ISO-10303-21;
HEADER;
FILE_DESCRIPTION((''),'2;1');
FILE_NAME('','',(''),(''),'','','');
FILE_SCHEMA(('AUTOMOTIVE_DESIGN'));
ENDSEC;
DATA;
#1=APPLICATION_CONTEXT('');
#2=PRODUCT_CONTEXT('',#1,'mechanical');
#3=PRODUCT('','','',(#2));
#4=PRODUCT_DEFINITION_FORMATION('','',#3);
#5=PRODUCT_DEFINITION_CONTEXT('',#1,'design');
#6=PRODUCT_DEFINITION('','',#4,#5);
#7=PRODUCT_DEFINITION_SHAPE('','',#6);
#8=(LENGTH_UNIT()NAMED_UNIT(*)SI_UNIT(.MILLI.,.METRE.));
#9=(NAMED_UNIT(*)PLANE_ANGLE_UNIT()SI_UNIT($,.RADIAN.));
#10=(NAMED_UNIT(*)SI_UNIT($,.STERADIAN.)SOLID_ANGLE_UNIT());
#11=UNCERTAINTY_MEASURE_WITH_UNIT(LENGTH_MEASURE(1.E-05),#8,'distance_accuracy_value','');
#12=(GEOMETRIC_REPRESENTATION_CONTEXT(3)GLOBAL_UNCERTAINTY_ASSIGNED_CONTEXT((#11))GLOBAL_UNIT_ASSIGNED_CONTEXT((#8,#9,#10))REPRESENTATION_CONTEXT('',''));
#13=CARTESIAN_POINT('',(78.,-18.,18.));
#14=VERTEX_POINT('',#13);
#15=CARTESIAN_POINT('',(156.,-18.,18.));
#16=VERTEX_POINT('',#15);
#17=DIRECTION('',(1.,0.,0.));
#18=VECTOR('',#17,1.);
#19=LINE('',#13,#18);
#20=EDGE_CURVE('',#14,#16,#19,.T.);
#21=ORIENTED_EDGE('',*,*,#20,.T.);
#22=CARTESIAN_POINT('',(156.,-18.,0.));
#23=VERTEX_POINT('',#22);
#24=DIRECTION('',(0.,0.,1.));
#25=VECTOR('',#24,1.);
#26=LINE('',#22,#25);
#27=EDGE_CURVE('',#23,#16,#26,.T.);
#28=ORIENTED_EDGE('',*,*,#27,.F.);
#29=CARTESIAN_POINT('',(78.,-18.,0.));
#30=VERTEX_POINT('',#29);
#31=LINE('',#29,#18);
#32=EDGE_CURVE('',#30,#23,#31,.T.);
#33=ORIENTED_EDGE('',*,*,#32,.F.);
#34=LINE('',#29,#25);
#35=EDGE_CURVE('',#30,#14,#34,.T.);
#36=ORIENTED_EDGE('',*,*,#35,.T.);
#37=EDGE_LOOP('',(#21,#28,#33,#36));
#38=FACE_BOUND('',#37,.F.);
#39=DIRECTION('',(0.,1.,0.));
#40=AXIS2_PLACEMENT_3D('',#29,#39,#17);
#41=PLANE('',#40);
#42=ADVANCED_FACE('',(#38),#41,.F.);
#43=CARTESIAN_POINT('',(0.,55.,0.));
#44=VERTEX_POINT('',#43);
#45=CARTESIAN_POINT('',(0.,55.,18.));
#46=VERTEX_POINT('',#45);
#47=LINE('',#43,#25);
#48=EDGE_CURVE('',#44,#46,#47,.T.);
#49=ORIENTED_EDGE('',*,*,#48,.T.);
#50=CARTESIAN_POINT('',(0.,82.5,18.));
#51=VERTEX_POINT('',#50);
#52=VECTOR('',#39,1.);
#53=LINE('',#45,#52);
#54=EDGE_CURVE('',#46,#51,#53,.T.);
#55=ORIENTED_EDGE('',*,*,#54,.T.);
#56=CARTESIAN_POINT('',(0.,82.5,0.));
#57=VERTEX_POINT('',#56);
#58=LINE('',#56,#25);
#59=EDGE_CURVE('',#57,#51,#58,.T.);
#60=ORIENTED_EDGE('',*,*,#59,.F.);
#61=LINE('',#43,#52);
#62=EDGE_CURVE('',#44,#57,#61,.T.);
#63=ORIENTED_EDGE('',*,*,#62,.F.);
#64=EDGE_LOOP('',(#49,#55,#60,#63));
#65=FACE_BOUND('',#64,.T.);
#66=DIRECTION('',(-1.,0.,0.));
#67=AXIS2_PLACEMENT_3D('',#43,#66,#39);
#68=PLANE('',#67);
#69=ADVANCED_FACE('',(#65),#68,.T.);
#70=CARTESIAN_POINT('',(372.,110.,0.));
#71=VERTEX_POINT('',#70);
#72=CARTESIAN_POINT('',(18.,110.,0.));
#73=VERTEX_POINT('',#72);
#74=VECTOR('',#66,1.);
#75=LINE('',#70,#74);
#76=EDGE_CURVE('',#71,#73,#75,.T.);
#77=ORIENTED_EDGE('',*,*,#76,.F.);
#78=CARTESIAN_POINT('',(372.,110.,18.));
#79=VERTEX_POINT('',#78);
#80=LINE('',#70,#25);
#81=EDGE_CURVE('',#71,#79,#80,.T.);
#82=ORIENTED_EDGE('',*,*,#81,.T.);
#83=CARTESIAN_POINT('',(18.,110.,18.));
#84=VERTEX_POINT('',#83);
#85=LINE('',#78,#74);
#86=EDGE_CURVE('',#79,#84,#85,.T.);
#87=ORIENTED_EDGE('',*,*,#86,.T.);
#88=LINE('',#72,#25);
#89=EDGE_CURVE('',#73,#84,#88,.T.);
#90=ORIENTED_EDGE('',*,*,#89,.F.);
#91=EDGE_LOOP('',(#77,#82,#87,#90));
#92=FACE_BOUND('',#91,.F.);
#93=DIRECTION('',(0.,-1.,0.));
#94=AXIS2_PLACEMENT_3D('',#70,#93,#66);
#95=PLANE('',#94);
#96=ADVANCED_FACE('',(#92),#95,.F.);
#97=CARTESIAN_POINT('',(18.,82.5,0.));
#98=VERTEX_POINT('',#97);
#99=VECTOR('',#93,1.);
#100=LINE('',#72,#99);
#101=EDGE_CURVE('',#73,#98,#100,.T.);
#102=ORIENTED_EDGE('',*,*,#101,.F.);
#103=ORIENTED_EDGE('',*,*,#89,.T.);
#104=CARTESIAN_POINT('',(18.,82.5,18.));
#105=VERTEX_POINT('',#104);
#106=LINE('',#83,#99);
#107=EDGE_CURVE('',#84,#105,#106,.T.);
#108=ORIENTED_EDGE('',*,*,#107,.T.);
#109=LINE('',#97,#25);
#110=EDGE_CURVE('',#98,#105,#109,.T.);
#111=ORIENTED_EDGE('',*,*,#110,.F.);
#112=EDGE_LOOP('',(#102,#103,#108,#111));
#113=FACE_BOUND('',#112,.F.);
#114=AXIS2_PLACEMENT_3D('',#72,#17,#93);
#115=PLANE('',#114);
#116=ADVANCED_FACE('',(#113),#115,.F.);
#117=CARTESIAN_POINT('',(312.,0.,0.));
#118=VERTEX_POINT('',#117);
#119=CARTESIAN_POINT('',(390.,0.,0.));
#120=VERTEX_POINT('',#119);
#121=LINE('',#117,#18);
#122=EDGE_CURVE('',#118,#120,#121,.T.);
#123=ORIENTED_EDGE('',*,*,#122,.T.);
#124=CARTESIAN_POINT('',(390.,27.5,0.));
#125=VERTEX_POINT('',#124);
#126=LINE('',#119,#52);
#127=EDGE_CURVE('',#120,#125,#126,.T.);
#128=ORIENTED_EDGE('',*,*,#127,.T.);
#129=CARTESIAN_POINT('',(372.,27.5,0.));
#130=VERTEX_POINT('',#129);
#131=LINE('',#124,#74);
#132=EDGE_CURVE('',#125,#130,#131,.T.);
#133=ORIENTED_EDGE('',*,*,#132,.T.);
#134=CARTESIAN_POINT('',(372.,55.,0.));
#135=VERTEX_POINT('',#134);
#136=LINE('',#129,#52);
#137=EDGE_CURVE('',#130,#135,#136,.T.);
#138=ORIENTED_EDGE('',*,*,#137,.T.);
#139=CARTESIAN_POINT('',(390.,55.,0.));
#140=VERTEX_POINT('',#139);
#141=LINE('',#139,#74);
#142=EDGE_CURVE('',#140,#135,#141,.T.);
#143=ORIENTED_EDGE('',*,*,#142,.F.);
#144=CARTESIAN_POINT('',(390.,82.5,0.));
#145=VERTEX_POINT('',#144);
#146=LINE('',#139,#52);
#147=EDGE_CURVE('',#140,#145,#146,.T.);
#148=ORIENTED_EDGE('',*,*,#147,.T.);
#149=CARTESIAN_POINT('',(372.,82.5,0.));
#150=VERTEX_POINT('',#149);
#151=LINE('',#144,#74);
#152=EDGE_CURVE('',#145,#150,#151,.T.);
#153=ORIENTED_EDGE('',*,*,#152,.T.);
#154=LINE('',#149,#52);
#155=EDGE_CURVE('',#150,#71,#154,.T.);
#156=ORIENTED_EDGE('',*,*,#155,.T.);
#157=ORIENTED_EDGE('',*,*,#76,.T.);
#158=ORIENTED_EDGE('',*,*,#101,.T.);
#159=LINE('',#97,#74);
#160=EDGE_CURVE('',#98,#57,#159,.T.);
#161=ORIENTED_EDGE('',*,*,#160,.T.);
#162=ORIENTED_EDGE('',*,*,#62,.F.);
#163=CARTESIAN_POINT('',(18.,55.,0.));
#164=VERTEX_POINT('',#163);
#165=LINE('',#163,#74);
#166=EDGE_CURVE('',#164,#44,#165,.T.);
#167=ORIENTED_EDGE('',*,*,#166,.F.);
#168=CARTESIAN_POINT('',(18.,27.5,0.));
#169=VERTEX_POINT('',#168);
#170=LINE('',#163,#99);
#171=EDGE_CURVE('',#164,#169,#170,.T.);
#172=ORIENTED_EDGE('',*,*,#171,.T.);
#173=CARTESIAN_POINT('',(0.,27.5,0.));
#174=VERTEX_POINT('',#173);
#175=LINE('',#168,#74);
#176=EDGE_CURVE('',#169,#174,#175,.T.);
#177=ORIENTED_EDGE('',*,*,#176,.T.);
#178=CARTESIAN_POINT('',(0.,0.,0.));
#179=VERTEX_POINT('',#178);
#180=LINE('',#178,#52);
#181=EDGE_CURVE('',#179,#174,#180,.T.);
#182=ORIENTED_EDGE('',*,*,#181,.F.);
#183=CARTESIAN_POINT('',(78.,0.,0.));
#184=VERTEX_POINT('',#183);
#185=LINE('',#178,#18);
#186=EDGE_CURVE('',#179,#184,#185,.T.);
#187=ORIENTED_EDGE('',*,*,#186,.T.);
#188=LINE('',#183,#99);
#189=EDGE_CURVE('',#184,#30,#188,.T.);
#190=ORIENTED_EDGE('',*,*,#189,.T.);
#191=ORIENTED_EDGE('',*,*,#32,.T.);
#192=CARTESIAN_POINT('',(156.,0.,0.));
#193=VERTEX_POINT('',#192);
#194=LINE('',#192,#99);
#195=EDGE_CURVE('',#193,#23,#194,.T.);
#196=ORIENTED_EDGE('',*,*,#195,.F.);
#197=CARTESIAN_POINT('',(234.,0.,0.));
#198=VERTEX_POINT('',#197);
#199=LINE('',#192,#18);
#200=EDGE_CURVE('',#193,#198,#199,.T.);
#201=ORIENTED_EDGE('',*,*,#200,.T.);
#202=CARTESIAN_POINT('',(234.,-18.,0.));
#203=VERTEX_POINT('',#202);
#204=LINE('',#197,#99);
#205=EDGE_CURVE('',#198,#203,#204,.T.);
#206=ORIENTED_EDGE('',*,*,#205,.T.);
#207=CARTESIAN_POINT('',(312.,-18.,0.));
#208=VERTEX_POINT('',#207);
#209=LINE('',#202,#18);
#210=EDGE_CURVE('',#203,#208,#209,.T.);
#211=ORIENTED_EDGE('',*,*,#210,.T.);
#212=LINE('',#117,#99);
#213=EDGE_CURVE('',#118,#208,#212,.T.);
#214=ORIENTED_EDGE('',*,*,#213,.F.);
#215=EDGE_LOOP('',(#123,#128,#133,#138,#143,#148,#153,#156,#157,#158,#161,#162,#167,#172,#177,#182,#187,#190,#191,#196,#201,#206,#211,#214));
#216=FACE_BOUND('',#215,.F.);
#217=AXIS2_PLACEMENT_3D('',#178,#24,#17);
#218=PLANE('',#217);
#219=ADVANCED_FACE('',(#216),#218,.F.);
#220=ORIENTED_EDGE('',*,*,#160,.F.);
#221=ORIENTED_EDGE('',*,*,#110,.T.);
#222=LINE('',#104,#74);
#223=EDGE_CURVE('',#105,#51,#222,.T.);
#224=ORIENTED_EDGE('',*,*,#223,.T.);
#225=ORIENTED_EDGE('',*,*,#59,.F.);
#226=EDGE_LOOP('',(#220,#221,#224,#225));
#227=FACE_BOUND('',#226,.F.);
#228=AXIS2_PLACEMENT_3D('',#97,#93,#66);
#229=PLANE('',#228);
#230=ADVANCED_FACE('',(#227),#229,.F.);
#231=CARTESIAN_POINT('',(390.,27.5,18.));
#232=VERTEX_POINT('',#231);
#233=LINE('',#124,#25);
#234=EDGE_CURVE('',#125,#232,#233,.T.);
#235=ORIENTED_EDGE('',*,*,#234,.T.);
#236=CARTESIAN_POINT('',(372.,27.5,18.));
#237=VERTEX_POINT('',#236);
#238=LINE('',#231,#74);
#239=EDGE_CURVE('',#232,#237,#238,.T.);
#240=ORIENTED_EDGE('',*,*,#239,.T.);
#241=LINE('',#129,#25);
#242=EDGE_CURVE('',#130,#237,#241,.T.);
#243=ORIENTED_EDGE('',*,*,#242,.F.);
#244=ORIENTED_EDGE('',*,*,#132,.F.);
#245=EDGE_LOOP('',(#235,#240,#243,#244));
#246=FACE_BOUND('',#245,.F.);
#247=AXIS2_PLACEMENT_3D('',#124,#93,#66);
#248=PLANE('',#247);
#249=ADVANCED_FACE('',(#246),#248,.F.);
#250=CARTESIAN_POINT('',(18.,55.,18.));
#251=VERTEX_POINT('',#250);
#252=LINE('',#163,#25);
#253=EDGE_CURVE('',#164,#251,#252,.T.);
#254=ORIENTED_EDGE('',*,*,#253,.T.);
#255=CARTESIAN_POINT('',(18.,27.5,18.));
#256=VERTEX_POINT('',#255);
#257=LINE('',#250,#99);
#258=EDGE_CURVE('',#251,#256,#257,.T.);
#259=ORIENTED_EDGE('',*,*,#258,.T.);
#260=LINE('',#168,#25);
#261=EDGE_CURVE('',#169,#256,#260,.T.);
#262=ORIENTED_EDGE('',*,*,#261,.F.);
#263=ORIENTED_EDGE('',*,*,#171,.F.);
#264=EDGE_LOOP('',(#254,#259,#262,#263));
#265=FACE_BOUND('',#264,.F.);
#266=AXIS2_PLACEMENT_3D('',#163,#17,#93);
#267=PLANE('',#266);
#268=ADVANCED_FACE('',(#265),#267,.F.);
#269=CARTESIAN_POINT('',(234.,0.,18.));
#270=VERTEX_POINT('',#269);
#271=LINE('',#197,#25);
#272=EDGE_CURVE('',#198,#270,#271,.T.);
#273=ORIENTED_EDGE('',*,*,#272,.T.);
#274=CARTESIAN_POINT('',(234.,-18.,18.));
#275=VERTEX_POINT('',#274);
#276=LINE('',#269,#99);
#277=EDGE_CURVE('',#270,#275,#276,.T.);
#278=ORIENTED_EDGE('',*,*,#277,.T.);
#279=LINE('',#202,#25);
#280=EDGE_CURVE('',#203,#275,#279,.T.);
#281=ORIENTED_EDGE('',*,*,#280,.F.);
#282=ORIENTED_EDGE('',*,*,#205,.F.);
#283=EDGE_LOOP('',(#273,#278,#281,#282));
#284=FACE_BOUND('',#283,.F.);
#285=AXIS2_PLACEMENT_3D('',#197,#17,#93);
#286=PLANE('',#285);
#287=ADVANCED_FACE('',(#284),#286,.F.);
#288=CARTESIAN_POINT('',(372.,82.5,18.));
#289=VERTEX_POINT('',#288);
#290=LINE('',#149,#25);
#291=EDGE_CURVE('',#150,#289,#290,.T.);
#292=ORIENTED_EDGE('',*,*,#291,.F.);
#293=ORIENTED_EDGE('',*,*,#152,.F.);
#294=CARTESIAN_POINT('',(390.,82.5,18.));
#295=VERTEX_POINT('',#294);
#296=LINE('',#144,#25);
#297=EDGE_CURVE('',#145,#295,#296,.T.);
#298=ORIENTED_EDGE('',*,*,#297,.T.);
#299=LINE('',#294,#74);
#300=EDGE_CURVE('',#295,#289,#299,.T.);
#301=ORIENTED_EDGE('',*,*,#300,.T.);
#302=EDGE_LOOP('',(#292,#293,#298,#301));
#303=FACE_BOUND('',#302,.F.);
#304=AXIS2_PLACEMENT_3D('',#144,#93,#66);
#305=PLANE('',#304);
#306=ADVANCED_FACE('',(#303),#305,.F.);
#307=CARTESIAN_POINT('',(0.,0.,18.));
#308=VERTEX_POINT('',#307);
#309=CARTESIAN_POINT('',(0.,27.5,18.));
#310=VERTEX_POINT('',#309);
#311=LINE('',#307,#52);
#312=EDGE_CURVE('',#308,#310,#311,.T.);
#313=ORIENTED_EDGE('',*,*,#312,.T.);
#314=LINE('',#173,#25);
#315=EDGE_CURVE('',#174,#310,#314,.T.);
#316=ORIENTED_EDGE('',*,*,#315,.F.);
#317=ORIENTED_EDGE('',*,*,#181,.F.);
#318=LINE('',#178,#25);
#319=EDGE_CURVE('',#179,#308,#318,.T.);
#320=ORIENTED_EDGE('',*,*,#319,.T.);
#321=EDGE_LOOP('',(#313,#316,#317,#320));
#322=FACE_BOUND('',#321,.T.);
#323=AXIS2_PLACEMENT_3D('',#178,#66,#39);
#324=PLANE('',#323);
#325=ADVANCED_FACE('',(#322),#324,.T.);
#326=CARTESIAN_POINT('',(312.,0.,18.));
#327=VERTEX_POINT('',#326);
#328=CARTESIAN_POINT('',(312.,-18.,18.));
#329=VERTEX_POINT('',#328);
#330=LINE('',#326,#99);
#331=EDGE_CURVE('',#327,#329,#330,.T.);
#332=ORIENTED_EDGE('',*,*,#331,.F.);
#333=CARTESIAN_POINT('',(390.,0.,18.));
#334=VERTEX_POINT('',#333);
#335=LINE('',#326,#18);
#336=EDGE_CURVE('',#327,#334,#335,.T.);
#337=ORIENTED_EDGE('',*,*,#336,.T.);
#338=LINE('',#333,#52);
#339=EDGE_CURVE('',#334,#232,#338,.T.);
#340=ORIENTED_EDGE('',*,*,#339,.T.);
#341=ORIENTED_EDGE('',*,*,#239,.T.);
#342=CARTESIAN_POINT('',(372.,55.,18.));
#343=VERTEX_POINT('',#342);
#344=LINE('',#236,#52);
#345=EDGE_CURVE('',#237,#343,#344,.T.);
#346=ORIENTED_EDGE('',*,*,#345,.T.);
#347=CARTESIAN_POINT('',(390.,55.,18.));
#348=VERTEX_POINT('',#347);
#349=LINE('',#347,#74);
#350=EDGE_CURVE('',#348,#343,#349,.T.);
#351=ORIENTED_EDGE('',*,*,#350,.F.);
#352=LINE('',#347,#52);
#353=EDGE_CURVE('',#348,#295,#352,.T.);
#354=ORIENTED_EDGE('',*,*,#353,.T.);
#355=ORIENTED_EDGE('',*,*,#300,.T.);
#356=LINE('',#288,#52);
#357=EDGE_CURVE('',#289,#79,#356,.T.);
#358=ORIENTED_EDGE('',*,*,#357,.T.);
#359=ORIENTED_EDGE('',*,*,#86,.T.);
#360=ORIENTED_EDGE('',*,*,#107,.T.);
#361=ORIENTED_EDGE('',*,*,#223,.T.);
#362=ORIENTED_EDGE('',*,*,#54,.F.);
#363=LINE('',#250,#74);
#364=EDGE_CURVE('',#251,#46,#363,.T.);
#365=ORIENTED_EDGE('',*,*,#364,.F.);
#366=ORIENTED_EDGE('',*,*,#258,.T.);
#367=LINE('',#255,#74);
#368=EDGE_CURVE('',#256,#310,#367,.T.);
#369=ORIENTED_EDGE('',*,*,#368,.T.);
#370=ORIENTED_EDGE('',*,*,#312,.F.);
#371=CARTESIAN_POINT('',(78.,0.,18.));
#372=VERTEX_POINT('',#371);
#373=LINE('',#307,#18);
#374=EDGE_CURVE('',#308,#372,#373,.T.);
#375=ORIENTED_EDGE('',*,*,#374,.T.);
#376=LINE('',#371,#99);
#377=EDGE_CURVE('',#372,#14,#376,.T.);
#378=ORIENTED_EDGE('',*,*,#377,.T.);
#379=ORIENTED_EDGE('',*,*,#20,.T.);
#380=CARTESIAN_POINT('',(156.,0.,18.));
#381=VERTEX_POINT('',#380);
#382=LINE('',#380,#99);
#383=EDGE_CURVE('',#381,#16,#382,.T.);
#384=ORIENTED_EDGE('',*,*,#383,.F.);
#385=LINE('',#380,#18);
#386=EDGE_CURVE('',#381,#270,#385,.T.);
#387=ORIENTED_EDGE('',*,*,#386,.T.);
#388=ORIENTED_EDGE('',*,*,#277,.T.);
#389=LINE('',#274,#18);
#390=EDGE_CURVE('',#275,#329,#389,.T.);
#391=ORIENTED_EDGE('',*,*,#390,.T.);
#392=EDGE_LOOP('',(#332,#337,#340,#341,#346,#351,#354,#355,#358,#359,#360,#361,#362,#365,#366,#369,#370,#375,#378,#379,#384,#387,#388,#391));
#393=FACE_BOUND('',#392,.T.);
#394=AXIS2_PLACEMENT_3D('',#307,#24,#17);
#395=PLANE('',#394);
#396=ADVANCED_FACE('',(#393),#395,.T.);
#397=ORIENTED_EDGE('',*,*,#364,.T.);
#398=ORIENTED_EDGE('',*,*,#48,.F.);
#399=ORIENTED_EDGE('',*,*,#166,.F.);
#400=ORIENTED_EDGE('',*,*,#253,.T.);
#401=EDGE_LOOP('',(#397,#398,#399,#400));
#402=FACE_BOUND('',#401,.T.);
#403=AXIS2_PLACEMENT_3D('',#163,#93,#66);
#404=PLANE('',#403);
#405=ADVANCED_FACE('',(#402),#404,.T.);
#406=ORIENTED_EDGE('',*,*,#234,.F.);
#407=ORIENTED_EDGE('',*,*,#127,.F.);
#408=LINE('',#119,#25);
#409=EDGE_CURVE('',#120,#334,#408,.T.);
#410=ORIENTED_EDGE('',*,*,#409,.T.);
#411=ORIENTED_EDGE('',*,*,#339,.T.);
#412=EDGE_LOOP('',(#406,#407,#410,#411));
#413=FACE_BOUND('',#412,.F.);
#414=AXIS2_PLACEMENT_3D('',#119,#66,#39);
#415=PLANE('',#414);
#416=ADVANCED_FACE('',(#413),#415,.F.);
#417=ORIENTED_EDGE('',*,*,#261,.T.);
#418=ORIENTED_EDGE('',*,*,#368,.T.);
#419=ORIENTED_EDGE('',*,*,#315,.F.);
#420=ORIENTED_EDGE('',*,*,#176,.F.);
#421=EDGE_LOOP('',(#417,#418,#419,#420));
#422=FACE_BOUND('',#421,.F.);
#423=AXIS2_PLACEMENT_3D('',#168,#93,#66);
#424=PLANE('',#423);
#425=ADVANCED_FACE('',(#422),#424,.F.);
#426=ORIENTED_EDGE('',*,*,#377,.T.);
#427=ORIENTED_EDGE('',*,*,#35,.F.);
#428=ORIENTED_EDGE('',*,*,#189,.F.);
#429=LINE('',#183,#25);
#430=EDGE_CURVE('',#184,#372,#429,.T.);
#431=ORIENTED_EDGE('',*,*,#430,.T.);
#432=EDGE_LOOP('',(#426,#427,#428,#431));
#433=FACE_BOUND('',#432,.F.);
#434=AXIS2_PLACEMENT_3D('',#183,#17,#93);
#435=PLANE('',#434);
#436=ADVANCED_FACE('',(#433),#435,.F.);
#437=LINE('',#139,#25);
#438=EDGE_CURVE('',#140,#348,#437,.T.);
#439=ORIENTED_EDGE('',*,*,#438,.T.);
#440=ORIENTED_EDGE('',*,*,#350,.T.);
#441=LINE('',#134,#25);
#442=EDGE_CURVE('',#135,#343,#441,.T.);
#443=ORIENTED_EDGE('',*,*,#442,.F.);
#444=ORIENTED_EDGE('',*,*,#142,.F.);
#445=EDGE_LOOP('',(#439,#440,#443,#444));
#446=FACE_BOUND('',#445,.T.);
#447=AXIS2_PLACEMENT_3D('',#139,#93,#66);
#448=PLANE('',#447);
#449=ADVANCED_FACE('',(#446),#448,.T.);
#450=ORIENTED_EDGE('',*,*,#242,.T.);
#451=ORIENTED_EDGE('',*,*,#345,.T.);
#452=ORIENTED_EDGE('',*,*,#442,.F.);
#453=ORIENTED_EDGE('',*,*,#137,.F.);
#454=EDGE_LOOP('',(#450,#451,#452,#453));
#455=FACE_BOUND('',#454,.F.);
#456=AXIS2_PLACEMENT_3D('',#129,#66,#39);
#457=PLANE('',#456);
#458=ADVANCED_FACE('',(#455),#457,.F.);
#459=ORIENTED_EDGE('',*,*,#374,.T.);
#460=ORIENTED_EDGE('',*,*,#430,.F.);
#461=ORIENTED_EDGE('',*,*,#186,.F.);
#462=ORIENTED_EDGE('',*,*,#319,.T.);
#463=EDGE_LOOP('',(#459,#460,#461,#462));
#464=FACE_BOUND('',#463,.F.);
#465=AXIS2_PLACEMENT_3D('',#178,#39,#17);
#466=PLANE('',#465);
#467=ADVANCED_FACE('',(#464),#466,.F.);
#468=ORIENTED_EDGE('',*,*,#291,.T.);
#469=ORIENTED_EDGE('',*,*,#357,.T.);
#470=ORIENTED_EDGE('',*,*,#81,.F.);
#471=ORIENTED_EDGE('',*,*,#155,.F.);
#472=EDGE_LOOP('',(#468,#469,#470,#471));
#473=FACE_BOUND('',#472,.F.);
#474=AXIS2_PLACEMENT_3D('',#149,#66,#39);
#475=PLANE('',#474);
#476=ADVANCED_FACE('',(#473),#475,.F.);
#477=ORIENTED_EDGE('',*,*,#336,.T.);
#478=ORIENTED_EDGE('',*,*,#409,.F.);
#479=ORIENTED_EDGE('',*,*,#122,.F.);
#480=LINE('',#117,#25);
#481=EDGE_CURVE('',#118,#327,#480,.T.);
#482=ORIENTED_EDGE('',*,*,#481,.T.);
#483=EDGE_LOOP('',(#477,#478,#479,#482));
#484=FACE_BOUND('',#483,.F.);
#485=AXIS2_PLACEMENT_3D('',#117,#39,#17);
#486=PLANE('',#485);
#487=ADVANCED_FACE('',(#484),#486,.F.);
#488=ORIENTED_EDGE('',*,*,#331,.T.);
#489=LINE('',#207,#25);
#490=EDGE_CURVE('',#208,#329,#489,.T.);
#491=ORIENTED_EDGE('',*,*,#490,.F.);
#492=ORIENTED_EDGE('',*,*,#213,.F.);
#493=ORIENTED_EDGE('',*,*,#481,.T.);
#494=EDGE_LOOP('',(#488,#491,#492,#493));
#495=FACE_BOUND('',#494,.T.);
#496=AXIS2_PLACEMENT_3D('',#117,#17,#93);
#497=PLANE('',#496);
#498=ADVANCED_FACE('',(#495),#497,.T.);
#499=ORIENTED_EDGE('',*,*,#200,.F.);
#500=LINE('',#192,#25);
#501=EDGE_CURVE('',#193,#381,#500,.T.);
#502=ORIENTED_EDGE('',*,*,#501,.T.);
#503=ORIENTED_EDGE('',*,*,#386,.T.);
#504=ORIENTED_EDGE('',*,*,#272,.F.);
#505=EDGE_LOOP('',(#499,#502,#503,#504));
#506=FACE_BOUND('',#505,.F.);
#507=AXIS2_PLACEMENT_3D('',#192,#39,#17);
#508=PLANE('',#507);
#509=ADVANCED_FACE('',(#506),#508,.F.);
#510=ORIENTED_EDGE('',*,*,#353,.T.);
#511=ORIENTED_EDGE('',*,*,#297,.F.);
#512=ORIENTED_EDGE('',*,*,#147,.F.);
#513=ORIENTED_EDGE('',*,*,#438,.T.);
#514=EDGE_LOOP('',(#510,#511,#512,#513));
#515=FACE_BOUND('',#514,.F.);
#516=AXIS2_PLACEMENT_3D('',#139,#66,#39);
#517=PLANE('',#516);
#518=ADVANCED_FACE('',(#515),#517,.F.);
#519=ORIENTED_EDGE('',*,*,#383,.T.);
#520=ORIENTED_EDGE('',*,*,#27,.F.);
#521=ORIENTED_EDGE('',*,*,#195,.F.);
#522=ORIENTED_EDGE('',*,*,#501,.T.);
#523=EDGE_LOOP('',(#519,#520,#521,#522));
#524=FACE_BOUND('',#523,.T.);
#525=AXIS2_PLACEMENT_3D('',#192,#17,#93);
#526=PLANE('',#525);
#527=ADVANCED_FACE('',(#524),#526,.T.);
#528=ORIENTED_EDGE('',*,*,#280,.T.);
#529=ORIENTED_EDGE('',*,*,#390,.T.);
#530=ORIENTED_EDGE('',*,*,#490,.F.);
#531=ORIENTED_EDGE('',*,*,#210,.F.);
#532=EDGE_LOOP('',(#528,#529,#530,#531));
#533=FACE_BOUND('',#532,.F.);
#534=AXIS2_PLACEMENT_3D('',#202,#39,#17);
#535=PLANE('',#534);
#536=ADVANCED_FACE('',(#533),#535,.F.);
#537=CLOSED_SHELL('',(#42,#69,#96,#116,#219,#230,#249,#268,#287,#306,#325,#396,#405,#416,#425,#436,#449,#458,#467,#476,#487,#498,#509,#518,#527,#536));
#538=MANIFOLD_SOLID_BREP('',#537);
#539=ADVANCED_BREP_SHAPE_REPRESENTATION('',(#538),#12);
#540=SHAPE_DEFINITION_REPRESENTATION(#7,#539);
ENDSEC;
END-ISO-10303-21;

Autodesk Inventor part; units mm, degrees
ref_plane "YZ Plane" through (0, 0, 0) normal (1, 0, 0) x (0, 1, 0)
ref_plane "XZ Plane" through (0, 0, 0) normal (0, 1, 0) x (-1, 0, 0)
ref_plane "XY Plane" through (0, 0, 0) normal (0, 0, 1) x (1, 0, 0)
sketch "Sketch1" plane through (0, 0, 0) normal (0, 0, 1) x (1, 0, 0)
  line L0 (372, 110) -> (18, 110)
  line L1 (78, 0) -> (78, -18)
  line L2 (156, 0) -> (156, -18)
  line L3 (234, 0) -> (234, -18)
  line L4 (312, 0) -> (312, -18)
  line L5 (78, -18) -> (156, -18)
  line L6 (234, -18) -> (312, -18)
  line L7 (156, 0) -> (234, 0)
  line L8 (18, 27.5) -> (0, 27.5)
  line L9 (18, 55) -> (0, 55)
  line L10 (18, 55) -> (0, 55)
  line L11 (18, 82.5) -> (0, 82.5)
  line L12 (390, 82.5) -> (372, 82.5)
  line L13 (390, 55) -> (372, 55)
  line L14 (390, 27.5) -> (372, 27.5)
  line L15 (0, 0) -> (0, 27.5)
  line L16 (0, 55) -> (0, 82.5)
  line L17 (390, 0) -> (390, 27.5)
  line L18 (390, 55) -> (390, 82.5)
  line L19 (372, 27.5) -> (372, 55)
  line L20 (372, 82.5) -> (372, 110)
  line L21 (18, 110) -> (18, 82.5)
  line L22 (18, 55) -> (18, 27.5)
  line L23 (312, 0) -> (390, 0)
  line L24 (0, 0) -> (78, 0)
  dimension "d7" = 78
  dimension "d8" = 78
  dimension "d9" = 78
  dimension "d11" = 18
  dimension "d12" = 18
  dimension "d13" = 18
  dimension "d24" = 18
  dimension "d25" = 18
  dimension "d26" = 18
  dimension "d28" = 18
  dimension "d32" = 18
  dimension "d33" = 18
  dimension "d35" = 78
  dimension "d36" = 78
  dimension "d39" = 27.5
  dimension "d40" = 27.5
  dimension "d41" = 27.5
  dimension "d42" = 27.5
  dimension "d48" = 27.5
  dimension "d49" = 27.5
  dimension "d50" = 27.5
  dimension "d51" = 27.5
  dimension "d52" = 110
extrude "Extrusion3" add sketch "Sketch1" along normal blind 18
properties part number "cajon lat"
